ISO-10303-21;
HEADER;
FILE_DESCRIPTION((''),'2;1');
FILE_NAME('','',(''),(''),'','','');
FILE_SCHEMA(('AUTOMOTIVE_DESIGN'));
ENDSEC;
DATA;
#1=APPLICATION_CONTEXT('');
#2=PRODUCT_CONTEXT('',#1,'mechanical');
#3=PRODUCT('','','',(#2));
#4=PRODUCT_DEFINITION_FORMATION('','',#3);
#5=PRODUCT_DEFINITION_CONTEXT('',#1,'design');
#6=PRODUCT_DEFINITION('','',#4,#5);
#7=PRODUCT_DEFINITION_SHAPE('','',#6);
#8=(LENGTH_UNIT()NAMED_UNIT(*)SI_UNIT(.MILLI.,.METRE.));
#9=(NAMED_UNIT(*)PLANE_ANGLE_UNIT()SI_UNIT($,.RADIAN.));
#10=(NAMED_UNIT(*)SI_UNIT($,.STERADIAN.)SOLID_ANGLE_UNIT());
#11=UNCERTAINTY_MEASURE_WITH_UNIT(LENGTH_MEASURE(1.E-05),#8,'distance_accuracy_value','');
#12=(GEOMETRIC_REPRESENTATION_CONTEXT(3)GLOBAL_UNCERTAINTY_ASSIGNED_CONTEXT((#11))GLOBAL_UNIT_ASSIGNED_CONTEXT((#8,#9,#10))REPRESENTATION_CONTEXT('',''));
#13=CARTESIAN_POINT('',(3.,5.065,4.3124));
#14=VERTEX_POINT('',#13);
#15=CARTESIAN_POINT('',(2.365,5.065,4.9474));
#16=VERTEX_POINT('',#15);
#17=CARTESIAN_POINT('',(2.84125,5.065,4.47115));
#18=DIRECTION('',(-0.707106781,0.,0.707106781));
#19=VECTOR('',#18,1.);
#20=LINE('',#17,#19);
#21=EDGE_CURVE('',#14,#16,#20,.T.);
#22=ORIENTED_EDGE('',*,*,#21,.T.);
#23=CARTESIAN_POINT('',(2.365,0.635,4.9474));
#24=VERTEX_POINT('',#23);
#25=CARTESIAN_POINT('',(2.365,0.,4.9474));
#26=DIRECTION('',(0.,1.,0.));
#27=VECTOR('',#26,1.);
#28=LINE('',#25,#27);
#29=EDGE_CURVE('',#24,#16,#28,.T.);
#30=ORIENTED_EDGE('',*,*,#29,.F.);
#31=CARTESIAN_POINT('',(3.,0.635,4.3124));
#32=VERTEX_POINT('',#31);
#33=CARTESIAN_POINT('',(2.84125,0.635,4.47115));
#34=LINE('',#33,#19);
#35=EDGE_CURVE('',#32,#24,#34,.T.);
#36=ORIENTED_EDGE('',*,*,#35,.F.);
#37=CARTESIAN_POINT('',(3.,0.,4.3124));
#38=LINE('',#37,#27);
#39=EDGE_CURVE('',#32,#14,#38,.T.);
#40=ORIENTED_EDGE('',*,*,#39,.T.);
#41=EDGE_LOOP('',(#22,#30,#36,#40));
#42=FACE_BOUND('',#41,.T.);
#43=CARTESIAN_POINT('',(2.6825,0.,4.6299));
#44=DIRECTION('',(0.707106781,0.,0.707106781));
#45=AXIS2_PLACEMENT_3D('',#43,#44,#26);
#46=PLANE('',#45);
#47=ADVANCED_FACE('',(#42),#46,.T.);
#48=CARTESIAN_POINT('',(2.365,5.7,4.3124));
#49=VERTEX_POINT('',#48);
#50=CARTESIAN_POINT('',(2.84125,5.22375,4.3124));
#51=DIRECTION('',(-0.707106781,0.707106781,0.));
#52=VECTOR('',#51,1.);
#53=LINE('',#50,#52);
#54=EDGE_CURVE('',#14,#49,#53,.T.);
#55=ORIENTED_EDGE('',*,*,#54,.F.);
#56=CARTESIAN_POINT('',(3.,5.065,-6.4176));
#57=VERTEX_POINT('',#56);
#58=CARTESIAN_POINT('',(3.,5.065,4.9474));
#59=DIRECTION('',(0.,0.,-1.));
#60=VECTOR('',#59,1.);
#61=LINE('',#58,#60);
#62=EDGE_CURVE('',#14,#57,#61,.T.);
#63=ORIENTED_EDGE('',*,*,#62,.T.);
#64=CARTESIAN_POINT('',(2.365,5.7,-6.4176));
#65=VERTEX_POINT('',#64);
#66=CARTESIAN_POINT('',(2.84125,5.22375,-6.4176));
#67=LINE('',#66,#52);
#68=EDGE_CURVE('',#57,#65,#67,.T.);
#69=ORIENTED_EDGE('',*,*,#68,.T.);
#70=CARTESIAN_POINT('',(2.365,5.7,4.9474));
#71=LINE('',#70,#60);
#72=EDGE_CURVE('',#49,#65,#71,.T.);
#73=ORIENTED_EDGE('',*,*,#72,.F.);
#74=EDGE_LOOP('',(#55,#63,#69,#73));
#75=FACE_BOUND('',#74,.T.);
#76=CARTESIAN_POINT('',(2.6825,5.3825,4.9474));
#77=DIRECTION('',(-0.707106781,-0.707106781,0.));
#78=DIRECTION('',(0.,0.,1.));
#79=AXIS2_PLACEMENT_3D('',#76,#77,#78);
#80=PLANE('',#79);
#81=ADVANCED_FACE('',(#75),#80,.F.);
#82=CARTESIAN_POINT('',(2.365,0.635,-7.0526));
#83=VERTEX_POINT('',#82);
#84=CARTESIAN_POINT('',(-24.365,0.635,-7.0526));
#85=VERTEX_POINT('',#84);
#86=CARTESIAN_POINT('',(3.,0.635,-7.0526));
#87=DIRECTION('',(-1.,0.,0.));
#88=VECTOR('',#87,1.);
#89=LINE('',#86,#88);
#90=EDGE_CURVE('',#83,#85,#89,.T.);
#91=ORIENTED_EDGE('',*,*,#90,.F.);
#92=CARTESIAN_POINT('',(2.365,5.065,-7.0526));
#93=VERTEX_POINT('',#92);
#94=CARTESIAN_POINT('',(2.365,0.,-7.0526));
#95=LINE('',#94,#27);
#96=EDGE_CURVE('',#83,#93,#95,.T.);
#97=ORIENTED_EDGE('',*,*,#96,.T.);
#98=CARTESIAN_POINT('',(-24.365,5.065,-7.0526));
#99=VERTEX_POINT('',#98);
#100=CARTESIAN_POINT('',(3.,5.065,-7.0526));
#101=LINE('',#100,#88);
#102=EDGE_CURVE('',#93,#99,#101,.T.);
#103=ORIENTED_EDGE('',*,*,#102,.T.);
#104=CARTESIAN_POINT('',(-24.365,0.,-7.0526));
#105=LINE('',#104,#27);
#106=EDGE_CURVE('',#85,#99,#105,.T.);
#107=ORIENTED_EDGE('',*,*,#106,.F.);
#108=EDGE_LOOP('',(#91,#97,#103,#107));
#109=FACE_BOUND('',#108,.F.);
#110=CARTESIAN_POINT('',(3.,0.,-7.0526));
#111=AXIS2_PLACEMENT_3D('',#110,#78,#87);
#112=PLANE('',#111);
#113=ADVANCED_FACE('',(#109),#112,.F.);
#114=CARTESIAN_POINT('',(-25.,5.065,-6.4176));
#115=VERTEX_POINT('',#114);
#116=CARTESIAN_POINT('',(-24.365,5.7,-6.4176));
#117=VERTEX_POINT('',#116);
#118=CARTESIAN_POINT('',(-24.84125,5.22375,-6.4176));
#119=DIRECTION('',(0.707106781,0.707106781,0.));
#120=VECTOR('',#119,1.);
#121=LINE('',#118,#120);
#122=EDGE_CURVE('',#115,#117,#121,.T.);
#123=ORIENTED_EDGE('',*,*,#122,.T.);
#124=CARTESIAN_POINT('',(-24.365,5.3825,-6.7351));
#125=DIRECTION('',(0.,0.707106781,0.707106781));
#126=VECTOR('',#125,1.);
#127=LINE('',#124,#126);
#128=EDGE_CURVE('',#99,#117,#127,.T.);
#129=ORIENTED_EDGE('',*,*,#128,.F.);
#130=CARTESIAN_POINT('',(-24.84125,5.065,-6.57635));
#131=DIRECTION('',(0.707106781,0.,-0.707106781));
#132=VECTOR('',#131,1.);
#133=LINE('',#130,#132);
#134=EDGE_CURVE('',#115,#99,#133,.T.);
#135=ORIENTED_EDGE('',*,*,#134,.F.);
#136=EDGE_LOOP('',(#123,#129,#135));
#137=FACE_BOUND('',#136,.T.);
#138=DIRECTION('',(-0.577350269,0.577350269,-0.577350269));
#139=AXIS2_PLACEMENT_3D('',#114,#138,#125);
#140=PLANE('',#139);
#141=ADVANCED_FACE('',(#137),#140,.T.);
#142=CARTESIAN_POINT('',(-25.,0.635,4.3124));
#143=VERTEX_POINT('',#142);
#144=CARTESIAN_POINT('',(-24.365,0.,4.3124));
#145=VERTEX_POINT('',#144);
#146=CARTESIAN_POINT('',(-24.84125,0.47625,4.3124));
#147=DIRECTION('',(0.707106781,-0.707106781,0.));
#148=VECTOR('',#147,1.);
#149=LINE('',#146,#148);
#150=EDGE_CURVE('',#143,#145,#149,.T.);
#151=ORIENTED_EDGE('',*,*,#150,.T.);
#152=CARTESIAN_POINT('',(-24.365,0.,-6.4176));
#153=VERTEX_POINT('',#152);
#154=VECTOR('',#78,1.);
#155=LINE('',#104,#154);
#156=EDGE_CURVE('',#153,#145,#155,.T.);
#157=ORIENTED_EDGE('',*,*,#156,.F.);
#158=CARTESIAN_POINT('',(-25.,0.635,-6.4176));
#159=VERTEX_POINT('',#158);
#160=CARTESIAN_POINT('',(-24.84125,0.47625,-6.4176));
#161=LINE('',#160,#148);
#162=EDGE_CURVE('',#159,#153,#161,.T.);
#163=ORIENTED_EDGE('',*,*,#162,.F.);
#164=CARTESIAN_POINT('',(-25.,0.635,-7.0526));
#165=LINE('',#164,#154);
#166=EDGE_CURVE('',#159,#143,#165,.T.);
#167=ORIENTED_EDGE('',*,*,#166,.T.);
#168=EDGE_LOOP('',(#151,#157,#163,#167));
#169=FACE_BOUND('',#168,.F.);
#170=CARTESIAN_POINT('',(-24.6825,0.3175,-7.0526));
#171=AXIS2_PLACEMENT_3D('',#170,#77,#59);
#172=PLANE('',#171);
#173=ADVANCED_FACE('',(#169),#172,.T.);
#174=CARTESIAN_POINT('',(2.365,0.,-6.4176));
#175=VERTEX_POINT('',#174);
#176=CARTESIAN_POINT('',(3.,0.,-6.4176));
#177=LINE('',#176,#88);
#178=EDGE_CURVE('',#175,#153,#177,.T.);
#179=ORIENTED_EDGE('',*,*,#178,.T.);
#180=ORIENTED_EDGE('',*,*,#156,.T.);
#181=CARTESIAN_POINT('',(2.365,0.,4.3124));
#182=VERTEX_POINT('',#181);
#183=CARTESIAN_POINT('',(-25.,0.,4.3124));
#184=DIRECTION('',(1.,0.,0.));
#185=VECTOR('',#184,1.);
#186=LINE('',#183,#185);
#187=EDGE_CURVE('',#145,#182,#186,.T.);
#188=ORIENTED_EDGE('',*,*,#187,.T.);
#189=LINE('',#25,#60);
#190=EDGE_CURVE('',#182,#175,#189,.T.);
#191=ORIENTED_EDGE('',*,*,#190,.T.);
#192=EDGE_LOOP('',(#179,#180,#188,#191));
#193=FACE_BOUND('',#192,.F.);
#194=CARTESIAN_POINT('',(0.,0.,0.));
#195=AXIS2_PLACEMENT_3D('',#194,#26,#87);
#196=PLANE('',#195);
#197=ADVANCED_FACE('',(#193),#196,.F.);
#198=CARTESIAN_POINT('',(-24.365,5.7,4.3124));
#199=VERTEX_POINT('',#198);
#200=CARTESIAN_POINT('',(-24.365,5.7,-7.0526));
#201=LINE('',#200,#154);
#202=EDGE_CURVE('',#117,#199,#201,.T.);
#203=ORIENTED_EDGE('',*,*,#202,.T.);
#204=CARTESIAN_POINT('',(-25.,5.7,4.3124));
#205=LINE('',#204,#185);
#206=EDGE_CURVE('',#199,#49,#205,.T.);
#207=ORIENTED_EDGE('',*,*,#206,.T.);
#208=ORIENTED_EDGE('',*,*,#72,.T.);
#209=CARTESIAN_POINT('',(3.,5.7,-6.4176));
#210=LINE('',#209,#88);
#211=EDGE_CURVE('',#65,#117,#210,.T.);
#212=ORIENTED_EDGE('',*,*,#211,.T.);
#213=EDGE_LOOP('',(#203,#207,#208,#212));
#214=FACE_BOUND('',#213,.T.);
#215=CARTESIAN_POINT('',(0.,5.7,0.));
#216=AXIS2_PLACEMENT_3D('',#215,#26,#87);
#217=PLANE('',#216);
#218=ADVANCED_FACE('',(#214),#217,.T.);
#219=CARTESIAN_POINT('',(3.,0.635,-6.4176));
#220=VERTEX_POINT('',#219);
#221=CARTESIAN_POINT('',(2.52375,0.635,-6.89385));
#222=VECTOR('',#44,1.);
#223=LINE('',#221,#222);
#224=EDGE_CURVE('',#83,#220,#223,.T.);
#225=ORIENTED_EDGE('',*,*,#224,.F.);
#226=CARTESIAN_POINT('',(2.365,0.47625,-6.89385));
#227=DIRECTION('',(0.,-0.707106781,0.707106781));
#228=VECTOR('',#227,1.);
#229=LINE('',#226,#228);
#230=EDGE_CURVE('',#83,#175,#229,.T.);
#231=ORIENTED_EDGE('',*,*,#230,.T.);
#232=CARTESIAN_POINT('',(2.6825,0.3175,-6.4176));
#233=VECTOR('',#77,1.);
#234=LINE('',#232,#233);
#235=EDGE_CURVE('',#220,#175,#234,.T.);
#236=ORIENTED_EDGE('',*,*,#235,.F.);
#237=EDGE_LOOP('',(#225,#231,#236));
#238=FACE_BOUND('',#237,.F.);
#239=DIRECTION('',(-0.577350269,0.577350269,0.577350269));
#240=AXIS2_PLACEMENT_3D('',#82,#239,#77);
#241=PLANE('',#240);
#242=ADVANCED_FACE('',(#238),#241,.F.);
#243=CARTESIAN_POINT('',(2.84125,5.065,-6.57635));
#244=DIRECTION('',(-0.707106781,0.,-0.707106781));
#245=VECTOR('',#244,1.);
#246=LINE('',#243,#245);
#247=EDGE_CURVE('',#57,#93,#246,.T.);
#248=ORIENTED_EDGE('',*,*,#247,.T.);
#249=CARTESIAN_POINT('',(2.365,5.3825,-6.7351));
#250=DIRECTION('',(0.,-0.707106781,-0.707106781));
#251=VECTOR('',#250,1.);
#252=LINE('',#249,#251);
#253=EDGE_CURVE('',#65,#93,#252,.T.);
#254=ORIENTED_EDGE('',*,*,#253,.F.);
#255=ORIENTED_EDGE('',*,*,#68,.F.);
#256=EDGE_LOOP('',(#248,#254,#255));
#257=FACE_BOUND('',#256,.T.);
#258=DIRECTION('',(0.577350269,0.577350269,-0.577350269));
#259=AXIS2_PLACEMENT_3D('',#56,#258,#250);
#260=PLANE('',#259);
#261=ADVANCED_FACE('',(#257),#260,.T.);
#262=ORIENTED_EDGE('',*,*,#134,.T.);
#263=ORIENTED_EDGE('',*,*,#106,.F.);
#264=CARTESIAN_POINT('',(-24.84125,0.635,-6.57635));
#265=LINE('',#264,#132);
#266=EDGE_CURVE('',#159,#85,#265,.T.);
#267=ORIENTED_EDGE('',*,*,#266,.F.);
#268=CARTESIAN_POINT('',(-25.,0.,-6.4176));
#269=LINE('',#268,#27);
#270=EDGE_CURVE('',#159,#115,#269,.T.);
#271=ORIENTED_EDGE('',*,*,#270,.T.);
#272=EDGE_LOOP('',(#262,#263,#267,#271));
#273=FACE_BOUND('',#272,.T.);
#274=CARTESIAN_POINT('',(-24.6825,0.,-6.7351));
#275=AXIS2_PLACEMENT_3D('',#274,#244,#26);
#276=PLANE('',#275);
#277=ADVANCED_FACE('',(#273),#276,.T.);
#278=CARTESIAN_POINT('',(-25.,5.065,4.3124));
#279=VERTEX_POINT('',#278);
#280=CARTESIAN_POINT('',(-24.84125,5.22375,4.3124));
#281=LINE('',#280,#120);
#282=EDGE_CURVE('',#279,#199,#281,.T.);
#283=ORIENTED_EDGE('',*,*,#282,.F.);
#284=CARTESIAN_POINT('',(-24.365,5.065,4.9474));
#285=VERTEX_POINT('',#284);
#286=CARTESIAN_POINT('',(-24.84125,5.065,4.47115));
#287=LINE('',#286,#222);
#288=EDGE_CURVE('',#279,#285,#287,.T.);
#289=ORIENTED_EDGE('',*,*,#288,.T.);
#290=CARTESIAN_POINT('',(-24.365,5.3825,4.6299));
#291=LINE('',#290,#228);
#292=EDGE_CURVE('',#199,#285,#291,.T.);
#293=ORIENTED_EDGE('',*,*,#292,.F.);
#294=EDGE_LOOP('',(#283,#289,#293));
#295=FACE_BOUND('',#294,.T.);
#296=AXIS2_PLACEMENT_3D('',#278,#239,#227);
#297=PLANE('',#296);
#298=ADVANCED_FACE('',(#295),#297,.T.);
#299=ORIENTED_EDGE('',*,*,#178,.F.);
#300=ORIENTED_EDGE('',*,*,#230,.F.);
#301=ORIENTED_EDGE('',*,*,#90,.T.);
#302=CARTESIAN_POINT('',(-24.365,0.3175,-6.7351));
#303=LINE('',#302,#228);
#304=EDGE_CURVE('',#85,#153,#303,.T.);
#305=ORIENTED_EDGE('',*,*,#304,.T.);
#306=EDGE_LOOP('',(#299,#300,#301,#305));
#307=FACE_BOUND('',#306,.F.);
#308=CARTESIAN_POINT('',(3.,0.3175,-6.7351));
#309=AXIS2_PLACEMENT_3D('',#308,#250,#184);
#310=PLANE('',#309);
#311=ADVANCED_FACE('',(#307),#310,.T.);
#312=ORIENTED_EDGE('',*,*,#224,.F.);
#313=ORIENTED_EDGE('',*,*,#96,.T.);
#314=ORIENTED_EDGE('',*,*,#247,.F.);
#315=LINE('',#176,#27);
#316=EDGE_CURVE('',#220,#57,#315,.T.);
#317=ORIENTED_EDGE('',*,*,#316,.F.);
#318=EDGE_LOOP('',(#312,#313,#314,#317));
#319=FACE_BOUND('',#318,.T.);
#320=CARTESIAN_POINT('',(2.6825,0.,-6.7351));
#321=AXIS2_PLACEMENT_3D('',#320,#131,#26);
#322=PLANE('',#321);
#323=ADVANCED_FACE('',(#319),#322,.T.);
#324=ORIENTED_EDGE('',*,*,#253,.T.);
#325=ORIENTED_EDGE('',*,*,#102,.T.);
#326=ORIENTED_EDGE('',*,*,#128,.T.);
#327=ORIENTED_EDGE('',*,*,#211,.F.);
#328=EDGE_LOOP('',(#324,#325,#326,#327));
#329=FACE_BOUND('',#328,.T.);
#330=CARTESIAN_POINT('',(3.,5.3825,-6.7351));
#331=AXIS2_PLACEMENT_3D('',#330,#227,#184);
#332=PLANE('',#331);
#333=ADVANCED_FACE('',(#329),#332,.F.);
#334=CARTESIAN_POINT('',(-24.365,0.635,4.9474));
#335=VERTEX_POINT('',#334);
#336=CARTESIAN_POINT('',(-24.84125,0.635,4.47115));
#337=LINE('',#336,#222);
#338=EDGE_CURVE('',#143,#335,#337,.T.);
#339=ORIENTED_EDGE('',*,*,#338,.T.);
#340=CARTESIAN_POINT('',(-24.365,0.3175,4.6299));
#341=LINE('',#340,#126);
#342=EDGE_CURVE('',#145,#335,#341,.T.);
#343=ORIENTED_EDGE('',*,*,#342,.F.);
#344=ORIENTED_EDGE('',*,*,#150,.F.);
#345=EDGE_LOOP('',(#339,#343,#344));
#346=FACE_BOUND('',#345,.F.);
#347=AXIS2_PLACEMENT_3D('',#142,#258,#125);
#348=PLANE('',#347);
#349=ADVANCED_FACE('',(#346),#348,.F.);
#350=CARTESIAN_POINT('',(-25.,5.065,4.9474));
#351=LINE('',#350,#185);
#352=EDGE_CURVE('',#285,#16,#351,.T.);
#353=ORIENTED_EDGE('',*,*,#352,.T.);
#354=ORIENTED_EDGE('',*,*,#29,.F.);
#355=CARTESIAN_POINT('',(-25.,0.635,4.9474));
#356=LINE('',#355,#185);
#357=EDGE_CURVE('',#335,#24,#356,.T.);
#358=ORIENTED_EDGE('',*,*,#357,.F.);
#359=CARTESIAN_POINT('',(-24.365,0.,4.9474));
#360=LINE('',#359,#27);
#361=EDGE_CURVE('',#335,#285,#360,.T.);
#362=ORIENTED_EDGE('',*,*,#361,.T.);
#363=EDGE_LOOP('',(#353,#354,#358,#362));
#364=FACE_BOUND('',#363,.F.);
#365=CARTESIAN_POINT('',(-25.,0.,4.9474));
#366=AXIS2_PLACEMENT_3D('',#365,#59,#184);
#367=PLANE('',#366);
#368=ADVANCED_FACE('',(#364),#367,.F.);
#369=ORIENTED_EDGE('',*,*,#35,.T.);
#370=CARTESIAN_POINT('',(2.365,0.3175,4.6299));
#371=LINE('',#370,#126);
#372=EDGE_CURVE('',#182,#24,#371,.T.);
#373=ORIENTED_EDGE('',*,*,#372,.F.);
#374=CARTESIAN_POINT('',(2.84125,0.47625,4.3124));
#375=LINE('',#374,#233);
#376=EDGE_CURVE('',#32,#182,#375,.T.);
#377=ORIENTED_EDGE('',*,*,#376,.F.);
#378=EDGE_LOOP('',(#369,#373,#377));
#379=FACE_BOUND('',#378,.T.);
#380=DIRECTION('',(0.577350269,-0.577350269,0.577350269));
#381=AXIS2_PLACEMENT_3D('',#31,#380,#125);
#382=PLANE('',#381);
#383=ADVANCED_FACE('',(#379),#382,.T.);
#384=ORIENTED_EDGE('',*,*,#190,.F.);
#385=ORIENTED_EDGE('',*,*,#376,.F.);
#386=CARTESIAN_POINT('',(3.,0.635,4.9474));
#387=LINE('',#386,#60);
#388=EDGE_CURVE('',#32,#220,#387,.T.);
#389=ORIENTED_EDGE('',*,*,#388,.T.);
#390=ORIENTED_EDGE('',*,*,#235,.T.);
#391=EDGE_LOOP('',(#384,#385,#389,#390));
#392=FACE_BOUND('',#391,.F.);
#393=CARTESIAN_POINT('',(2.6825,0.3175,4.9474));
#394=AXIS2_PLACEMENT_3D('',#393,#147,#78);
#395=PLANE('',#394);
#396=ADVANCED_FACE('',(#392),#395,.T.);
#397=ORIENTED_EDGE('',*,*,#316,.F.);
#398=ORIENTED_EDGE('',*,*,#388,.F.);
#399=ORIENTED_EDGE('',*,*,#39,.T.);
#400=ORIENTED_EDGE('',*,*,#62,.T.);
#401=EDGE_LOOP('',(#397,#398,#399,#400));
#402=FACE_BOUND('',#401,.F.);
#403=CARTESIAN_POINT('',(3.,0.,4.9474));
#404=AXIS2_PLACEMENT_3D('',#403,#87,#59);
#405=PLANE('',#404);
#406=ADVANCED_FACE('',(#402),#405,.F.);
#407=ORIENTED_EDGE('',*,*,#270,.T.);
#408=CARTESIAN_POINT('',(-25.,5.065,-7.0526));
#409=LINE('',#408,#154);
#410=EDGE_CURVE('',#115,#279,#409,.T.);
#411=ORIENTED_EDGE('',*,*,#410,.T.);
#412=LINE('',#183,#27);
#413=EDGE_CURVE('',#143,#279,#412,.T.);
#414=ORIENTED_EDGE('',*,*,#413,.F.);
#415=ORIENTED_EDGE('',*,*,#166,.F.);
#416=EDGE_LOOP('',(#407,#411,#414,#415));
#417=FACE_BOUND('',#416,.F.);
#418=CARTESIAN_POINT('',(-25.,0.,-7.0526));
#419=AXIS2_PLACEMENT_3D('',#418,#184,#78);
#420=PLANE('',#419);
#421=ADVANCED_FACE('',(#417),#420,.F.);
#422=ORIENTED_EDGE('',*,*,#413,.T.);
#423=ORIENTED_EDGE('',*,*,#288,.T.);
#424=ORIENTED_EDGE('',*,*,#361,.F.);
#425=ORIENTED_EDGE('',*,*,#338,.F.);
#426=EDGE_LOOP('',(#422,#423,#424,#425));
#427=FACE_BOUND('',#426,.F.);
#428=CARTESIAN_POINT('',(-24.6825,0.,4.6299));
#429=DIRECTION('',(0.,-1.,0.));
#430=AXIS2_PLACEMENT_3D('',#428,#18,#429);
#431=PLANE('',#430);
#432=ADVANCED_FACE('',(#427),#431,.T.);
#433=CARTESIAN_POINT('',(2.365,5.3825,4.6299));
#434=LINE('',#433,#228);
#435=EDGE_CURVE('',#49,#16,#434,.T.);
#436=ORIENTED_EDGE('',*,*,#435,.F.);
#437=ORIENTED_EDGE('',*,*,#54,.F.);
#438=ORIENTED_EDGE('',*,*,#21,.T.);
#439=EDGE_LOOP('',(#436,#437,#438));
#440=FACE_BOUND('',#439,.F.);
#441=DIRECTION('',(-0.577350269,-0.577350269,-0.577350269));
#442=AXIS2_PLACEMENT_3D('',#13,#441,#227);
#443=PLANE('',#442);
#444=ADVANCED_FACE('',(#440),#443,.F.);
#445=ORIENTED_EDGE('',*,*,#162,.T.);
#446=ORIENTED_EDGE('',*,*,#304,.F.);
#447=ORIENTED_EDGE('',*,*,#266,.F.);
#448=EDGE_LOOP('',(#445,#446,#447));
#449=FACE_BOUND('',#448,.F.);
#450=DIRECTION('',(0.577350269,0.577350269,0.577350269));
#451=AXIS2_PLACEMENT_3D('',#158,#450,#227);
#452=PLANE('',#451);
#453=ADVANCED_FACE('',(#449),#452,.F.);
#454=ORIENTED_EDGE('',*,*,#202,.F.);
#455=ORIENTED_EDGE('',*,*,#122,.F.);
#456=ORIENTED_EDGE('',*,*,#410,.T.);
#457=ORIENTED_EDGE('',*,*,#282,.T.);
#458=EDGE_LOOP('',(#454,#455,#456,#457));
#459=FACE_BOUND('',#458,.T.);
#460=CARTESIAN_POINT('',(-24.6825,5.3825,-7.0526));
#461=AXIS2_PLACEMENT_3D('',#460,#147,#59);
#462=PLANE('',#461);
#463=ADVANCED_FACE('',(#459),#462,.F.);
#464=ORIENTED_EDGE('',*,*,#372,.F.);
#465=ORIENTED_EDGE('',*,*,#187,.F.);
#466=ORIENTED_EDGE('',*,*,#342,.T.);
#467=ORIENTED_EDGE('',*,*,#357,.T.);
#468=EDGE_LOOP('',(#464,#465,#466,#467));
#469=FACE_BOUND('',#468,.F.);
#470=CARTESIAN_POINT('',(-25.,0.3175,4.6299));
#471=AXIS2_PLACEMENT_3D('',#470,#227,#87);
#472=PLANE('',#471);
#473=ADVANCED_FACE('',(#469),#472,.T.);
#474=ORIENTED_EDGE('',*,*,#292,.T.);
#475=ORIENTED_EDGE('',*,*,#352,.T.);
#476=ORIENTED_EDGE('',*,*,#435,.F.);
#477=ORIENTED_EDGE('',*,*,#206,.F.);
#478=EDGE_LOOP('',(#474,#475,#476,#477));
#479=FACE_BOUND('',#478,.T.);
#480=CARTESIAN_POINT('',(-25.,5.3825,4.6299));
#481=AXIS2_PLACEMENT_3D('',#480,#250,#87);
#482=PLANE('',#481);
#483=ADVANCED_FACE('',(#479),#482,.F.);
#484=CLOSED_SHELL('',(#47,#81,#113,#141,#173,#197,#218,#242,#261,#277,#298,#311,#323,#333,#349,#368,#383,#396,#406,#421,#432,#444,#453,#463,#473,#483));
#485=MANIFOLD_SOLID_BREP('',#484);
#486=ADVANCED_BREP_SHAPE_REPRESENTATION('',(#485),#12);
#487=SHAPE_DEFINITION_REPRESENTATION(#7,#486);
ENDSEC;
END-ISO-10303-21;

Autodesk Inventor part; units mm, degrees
ref_plane "YZ Plane" through (0, 0, 0) normal (1, 0, 0) x (0, 1, 0)
ref_plane "XZ Plane" through (0, 0, 0) normal (0, 1, 0) x (-1, 0, 0)
ref_plane "XY Plane" through (0, 0, 0) normal (0, 0, 1) x (1, 0, 0)
sketch "Sketch1" plane through (0, 0, 0) normal (0, 1, 0) x (-1, 0, 0)
  line L0 (25, 4.9474) -> (-3, 4.9474)
  line L1 (-3, 4.9474) -> (-3, -7.0526)
  line L2 (-3, -7.0526) -> (25, -7.0526)
  line L3 (25, -7.0526) -> (25, 4.9474)
  point P0 (0, 0)
  dimension "d0" = 12
  dimension "d1" = 28
extrude "Extrusion1" add sketch "Sketch1" along normal blind 5.7
chamfer "Chamfer1" distance 0.635 angle 45 12 edges at (-11, 5.7, 4.9474) (-11, 5.7, -7.0526) (3, 5.7, -1.0526) (-11, 0, 4.9474) (3, 0, -1.0526) (3, 2.85, -7.0526) (3, 2.85, 4.9474) (-11, 0, -7.0526) (-25, 2.85, -7.0526) (-25, 0, -1.0526) (-25, 5.7, -1.0526) (-25, 2.85, 4.9474)
properties part number "Battery_3.7V"
